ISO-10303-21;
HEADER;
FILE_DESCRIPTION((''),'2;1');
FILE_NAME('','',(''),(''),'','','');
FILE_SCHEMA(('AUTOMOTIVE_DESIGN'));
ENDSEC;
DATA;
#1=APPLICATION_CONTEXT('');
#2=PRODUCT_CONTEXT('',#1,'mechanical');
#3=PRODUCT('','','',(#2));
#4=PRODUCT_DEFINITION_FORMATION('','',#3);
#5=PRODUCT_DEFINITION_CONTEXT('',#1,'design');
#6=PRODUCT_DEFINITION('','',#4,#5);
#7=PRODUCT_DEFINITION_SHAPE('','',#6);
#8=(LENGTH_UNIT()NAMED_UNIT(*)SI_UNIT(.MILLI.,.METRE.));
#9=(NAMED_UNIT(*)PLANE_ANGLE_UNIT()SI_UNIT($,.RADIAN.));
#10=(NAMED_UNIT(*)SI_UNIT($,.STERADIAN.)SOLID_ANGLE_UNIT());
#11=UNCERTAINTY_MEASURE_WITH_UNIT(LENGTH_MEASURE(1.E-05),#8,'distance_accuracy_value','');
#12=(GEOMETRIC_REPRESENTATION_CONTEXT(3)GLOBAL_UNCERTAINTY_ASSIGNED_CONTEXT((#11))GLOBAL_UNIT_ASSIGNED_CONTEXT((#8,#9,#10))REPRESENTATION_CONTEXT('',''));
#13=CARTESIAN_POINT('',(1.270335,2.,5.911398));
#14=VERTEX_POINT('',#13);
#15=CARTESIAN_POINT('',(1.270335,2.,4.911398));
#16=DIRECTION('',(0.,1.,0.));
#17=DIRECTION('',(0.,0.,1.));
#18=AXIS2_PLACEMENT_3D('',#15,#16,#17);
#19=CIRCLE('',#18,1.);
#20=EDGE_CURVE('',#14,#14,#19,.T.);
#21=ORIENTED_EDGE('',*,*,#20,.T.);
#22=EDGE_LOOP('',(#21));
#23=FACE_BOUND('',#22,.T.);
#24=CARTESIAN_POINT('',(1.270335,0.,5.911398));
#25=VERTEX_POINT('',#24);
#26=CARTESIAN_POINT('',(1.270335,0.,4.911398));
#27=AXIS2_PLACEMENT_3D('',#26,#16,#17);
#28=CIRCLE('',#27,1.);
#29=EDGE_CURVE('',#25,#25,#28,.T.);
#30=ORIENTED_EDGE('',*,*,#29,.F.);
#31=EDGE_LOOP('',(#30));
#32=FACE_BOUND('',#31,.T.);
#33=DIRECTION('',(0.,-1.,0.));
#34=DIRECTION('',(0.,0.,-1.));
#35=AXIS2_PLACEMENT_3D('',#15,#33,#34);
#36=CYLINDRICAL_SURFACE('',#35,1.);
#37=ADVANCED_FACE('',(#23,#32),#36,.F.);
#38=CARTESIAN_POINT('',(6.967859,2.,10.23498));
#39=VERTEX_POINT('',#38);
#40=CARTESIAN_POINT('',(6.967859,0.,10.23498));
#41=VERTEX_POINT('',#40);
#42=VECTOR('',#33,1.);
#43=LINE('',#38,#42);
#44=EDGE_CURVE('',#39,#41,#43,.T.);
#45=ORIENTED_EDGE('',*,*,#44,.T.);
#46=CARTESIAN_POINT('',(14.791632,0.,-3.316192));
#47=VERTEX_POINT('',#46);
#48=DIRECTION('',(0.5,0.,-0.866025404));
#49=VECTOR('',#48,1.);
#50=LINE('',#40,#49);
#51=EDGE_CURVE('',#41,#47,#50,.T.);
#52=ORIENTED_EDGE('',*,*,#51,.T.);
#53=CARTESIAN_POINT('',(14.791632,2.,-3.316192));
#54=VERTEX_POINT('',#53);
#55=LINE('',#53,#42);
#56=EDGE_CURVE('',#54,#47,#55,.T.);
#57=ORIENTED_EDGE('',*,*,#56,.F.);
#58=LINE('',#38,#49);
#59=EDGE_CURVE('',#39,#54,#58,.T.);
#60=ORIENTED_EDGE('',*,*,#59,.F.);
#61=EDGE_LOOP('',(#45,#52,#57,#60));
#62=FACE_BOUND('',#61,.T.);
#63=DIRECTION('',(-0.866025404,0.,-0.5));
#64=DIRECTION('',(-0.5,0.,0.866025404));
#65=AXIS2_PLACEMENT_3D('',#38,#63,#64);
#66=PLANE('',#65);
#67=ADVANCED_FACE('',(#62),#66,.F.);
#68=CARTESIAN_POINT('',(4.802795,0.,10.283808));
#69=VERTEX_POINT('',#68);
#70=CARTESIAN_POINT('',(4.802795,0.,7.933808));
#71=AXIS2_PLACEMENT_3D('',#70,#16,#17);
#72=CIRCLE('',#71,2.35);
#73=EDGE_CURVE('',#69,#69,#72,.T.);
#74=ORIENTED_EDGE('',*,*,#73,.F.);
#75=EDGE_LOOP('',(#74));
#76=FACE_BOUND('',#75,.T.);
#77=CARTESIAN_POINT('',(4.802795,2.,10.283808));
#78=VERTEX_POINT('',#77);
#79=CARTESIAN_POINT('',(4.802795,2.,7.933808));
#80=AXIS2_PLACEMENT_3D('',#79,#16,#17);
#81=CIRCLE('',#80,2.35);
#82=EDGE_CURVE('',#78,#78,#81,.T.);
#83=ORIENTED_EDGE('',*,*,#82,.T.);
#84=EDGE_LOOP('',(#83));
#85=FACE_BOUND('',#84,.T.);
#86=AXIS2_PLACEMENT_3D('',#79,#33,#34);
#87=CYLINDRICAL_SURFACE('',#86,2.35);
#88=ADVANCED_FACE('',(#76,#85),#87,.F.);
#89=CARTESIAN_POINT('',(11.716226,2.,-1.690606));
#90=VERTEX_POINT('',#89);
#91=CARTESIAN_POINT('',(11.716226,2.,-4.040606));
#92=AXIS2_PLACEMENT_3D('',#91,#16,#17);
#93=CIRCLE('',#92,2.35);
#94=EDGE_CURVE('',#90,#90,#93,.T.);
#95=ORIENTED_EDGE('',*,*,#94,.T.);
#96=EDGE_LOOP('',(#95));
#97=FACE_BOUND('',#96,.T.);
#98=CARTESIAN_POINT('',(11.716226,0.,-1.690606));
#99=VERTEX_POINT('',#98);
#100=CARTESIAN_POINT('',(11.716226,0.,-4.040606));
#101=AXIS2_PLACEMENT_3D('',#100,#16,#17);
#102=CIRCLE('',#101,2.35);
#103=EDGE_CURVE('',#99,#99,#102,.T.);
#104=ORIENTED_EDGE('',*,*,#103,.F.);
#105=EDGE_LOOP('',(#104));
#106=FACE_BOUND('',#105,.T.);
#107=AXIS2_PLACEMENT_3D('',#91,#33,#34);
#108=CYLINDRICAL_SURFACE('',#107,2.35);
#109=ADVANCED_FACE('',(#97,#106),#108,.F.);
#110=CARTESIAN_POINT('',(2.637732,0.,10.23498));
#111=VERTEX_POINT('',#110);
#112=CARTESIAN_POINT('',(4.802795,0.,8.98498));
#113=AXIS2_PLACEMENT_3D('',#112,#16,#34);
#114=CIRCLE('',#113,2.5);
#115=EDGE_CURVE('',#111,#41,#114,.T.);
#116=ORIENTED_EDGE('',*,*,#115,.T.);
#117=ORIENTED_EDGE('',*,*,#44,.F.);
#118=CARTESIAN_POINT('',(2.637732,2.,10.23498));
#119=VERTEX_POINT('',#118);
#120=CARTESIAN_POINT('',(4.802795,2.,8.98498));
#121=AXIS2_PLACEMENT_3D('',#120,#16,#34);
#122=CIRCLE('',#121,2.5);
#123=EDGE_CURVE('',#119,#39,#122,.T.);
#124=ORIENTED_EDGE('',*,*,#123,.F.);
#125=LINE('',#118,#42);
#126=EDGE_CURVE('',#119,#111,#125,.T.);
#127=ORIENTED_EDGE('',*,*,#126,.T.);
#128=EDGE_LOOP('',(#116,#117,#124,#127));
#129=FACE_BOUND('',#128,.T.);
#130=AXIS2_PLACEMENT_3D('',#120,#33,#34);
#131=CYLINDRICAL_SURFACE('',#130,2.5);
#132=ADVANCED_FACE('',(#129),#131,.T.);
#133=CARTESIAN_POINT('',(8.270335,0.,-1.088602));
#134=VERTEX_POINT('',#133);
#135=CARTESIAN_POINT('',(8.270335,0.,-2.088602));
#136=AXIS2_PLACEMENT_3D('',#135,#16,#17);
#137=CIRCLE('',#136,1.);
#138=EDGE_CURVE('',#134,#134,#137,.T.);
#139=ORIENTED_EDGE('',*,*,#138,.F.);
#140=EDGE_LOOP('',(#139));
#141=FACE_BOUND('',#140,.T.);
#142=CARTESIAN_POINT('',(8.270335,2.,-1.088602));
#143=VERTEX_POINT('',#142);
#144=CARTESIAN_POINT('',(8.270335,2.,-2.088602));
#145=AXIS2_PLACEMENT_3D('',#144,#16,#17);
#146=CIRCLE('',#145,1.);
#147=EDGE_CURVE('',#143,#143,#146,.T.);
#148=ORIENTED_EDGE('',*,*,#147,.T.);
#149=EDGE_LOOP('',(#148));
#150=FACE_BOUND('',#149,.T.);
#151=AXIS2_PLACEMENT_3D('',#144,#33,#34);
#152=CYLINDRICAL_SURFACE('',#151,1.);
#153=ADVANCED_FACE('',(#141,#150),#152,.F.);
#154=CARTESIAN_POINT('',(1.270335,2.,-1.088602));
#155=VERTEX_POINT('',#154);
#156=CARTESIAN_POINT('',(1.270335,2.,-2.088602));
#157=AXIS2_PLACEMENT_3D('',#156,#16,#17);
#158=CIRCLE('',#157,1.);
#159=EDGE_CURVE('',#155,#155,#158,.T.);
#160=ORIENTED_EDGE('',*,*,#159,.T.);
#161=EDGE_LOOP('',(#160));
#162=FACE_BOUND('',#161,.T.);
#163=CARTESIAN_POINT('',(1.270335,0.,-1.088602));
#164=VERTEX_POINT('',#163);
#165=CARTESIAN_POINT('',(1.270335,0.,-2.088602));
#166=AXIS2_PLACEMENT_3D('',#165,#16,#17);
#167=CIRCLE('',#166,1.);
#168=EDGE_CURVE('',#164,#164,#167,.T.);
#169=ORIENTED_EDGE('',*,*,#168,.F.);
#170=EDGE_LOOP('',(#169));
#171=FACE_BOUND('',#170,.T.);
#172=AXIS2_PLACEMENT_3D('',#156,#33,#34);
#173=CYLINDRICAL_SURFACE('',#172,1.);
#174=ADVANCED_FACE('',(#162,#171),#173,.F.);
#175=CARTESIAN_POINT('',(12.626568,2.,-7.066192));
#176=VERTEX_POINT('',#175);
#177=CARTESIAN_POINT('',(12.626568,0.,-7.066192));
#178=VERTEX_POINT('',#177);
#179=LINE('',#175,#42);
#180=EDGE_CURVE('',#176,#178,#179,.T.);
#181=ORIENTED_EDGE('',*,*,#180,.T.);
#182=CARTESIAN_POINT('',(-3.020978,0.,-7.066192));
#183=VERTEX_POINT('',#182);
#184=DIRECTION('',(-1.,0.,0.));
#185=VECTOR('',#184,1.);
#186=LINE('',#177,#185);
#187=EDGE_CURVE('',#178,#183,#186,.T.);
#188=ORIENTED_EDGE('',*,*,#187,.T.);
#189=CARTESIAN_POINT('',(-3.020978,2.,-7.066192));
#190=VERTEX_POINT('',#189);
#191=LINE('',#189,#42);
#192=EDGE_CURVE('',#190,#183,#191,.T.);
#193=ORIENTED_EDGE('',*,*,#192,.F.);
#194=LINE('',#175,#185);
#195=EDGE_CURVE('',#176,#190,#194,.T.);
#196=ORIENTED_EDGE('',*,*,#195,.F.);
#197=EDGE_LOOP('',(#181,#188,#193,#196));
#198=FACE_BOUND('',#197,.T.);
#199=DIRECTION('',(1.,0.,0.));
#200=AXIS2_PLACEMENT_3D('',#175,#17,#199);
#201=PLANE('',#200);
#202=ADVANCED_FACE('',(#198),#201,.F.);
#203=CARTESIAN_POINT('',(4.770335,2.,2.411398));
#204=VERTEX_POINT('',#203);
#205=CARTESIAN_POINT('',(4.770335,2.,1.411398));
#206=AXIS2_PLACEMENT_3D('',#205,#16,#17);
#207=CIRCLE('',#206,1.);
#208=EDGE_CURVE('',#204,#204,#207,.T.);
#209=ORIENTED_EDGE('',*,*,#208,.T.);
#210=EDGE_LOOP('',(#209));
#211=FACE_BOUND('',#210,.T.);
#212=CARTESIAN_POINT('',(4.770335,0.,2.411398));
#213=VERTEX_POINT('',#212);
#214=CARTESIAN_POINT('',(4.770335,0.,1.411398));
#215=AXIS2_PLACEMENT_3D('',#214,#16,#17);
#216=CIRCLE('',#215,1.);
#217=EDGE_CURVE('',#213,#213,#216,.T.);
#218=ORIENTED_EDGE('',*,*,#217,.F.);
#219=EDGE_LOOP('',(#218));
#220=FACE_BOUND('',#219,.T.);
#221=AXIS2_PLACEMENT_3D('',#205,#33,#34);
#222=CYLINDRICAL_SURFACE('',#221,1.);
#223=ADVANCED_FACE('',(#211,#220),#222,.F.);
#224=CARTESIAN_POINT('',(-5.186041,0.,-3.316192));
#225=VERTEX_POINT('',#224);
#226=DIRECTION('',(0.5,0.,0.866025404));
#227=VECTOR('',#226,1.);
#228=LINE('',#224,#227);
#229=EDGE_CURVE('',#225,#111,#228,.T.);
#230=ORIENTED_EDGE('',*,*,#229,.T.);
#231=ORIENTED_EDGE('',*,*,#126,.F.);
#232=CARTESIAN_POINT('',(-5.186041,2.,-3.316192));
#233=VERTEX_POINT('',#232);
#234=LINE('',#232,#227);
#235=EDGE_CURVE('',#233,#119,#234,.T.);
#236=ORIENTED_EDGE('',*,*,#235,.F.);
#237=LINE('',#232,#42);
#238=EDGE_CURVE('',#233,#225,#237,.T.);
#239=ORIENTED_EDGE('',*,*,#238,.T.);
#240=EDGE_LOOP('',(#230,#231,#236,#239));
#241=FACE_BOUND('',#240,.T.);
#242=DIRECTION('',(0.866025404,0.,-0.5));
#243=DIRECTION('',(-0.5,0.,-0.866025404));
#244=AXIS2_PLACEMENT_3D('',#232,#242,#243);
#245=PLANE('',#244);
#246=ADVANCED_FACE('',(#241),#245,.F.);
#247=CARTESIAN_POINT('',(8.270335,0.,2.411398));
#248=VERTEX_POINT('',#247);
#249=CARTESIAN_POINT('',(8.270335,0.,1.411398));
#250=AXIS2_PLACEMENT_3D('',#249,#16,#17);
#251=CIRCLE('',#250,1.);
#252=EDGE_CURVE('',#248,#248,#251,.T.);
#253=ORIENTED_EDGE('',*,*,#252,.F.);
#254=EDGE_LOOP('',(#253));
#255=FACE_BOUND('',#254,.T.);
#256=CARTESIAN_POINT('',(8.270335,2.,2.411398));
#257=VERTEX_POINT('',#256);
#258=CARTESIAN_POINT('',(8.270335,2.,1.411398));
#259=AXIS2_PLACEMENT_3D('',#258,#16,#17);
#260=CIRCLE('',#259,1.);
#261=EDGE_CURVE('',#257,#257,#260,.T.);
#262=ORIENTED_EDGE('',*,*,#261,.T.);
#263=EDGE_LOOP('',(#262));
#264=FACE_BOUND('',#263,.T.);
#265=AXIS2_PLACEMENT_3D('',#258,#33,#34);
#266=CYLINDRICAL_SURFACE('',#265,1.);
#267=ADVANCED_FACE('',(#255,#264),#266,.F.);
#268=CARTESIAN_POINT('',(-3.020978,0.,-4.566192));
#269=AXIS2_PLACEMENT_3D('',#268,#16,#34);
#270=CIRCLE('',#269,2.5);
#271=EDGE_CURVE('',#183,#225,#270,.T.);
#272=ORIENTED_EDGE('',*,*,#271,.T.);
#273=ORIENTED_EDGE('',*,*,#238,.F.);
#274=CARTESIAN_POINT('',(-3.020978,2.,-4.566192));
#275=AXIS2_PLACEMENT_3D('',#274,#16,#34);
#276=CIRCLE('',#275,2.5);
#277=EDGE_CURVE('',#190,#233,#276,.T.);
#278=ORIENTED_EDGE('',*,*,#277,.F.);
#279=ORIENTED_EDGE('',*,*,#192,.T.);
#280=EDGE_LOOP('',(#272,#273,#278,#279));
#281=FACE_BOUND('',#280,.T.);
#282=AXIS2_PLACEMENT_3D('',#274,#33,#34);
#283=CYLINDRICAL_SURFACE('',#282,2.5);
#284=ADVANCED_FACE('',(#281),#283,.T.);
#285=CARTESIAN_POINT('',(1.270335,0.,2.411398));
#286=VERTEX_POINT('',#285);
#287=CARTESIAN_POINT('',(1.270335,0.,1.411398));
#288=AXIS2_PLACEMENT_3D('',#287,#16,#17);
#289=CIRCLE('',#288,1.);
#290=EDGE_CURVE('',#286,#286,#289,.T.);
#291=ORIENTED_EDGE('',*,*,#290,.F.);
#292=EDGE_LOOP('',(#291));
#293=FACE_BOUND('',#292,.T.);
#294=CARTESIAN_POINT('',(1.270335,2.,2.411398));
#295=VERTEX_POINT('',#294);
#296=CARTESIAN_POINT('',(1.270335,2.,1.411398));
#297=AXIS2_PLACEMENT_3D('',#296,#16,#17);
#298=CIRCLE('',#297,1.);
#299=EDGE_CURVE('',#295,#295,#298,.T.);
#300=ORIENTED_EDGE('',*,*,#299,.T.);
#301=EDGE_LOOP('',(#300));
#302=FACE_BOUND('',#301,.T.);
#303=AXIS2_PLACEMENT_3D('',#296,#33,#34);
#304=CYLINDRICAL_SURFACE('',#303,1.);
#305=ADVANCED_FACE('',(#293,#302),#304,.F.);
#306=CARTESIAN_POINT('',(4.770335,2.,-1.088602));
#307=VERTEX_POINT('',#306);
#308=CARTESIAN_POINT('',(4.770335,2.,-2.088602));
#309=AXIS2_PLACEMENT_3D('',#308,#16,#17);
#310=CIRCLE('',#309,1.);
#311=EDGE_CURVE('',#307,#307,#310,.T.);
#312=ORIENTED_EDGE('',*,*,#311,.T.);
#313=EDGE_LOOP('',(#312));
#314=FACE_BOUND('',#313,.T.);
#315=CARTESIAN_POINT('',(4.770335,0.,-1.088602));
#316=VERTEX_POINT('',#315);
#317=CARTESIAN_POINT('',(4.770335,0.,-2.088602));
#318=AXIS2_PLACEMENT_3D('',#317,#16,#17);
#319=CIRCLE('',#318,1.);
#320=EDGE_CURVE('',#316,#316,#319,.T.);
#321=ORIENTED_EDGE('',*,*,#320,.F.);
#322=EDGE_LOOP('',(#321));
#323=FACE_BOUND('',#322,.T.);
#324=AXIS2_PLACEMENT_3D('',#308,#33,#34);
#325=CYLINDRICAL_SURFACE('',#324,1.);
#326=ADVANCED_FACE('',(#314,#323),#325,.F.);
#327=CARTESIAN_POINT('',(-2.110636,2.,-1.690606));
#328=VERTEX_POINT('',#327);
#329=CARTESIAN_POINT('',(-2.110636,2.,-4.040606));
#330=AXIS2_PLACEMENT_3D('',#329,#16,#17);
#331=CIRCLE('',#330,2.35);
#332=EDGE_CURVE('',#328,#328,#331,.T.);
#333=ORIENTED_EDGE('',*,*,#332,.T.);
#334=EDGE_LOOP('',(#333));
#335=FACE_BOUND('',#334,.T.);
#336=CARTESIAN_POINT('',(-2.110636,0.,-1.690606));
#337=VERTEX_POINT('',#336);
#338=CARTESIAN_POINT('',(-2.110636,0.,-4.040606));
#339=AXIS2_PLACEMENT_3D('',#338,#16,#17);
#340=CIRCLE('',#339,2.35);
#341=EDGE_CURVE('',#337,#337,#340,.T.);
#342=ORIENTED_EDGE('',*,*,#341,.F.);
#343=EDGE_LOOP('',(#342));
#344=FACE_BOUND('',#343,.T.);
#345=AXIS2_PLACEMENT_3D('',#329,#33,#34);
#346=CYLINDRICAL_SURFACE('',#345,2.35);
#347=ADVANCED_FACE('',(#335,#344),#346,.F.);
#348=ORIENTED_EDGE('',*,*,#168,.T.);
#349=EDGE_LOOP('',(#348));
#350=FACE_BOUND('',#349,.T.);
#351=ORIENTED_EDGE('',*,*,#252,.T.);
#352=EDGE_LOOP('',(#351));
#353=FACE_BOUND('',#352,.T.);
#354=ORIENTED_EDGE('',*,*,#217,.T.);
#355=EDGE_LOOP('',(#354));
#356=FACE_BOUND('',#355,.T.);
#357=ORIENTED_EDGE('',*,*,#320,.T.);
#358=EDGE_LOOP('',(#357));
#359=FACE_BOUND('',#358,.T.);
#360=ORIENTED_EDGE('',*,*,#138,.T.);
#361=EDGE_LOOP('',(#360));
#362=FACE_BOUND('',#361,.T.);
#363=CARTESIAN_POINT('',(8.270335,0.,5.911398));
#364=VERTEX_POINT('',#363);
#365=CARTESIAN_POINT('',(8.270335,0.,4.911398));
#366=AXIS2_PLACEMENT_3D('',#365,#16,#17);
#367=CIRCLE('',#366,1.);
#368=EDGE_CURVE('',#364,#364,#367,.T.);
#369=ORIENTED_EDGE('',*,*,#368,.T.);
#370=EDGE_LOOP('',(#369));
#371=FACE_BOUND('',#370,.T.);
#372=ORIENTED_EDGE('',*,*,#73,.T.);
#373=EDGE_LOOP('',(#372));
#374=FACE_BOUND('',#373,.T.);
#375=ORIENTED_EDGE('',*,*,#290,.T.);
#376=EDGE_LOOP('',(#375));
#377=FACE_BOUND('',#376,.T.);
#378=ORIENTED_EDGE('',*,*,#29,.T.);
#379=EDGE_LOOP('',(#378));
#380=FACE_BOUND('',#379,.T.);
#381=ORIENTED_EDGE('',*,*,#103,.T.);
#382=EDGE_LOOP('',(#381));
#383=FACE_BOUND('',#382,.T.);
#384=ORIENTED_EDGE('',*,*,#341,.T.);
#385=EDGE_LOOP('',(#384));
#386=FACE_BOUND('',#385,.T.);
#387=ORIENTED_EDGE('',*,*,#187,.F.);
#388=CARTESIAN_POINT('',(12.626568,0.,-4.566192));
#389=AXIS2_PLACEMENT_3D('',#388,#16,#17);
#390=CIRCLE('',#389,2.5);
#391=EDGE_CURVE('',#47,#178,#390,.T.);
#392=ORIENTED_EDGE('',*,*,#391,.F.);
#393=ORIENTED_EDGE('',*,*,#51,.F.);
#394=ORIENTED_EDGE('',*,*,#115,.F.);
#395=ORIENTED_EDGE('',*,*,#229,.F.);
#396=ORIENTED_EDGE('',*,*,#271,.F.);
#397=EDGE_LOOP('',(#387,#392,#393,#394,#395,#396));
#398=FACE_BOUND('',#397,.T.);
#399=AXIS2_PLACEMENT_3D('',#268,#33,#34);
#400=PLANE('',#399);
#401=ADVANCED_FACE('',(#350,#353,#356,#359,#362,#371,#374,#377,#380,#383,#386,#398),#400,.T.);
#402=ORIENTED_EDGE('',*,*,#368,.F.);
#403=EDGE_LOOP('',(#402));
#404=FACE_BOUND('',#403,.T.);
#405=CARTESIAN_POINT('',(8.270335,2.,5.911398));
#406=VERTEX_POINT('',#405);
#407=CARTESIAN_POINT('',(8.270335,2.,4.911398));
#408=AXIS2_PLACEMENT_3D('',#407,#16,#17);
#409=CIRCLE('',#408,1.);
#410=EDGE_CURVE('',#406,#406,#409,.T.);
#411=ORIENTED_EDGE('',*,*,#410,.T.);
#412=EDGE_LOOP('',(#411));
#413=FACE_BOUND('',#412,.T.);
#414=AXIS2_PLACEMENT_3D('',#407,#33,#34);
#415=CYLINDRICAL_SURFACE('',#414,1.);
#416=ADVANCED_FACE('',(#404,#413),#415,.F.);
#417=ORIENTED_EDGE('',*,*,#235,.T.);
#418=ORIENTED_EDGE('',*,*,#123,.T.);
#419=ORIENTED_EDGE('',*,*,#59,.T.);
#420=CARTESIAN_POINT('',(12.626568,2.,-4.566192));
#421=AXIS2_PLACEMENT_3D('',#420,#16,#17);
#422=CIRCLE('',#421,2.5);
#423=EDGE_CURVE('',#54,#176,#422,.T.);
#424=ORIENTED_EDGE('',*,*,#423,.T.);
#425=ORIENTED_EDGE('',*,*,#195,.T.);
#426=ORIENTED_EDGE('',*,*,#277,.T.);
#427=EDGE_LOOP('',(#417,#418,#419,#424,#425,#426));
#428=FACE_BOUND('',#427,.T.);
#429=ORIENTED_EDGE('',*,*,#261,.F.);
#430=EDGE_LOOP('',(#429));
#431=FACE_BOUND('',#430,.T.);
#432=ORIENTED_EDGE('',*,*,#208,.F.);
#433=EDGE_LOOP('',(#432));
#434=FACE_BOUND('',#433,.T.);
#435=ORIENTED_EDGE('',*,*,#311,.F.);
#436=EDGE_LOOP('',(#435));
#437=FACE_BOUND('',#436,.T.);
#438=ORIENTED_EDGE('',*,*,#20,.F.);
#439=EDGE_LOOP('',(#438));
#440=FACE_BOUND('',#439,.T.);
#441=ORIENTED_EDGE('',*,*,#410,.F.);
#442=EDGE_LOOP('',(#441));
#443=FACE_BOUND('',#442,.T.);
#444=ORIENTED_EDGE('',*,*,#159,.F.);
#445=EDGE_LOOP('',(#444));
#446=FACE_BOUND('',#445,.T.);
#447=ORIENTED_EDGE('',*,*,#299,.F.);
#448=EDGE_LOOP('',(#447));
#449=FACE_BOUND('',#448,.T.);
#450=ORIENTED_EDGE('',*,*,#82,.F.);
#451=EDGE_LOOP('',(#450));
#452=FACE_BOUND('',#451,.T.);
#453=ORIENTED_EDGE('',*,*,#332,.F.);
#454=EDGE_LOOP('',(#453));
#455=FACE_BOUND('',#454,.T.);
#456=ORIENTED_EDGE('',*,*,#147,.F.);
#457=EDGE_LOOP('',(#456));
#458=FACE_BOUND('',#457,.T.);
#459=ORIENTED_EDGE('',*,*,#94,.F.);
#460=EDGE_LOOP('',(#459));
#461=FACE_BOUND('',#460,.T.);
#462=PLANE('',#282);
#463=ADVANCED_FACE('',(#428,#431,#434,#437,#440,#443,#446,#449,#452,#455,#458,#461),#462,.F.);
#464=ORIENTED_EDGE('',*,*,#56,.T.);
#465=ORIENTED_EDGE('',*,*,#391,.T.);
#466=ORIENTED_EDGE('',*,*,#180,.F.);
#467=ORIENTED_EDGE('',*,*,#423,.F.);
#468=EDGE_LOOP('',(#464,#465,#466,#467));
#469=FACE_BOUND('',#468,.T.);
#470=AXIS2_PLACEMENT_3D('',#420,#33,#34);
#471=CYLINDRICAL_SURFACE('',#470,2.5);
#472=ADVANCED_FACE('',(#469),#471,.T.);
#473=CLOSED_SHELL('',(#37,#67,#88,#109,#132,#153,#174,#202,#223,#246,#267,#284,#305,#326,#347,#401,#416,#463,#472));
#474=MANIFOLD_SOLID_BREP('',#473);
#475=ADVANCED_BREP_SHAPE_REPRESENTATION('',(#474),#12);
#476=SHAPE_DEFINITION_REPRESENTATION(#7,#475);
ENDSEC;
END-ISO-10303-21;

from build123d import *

# Parameters (mm, degrees)
SKETCH1_R      = 2.35
SKETCH1_R_2    = 1
EXTRUDE1_DEPTH = 2


with BuildPart() as part:
    # Sketch1 → Extrude1 (new body)
    with BuildSketch(Plane(origin=(0, 0, 0), x_dir=(1, 0, 0), z_dir=(0, 1, 0))):
        with BuildLine():
            Line((-5.186041147, 3.316192399), (2.637731834, -10.234979911))
            ThreePointArc((2.637731834, -10.234979911), (4.802795343, -11.484979911), (6.967858853, -10.234979911))
            Line((6.967858853, -10.234979911), (14.791631834, 3.316192399))
            ThreePointArc((14.791631834, 3.316192399), (14.791631834, 5.816192399), (12.626568324, 7.066192399))
            Line((12.626568324, 7.066192399), (-3.020977638, 7.066192399))
            ThreePointArc((-3.020977638, 7.066192399), (-5.186041147, 5.816192399), (-5.186041147, 3.316192399))
        make_face()
        with Locations((-2.110635714, 4.040606244)):
            Circle(SKETCH1_R, mode=Mode.SUBTRACT)
        with Locations((4.802795343, -7.933807601)):
            Circle(SKETCH1_R, mode=Mode.SUBTRACT)
        with Locations((11.7162264, 4.040606244)):
            Circle(SKETCH1_R, mode=Mode.SUBTRACT)
        with Locations((1.270334632, 2.088602105)):
            Circle(SKETCH1_R_2, mode=Mode.SUBTRACT)
        with Locations((4.770334632, 2.088602105)):
            Circle(SKETCH1_R_2, mode=Mode.SUBTRACT)
        with Locations((8.270334632, 2.088602105)):
            Circle(SKETCH1_R_2, mode=Mode.SUBTRACT)
        with Locations((1.270334632, -1.411397895)):
            Circle(SKETCH1_R_2, mode=Mode.SUBTRACT)
        with Locations((4.770334632, -1.411397895)):
            Circle(SKETCH1_R_2, mode=Mode.SUBTRACT)
        with Locations((8.270334632, -1.411397895)):
            Circle(SKETCH1_R_2, mode=Mode.SUBTRACT)
        with Locations((1.270334632, -4.911397895)):
            Circle(SKETCH1_R_2, mode=Mode.SUBTRACT)
        with Locations((8.270334632, -4.911397895)):
            Circle(SKETCH1_R_2, mode=Mode.SUBTRACT)
    extrude(amount=EXTRUDE1_DEPTH)


solid = part.part
